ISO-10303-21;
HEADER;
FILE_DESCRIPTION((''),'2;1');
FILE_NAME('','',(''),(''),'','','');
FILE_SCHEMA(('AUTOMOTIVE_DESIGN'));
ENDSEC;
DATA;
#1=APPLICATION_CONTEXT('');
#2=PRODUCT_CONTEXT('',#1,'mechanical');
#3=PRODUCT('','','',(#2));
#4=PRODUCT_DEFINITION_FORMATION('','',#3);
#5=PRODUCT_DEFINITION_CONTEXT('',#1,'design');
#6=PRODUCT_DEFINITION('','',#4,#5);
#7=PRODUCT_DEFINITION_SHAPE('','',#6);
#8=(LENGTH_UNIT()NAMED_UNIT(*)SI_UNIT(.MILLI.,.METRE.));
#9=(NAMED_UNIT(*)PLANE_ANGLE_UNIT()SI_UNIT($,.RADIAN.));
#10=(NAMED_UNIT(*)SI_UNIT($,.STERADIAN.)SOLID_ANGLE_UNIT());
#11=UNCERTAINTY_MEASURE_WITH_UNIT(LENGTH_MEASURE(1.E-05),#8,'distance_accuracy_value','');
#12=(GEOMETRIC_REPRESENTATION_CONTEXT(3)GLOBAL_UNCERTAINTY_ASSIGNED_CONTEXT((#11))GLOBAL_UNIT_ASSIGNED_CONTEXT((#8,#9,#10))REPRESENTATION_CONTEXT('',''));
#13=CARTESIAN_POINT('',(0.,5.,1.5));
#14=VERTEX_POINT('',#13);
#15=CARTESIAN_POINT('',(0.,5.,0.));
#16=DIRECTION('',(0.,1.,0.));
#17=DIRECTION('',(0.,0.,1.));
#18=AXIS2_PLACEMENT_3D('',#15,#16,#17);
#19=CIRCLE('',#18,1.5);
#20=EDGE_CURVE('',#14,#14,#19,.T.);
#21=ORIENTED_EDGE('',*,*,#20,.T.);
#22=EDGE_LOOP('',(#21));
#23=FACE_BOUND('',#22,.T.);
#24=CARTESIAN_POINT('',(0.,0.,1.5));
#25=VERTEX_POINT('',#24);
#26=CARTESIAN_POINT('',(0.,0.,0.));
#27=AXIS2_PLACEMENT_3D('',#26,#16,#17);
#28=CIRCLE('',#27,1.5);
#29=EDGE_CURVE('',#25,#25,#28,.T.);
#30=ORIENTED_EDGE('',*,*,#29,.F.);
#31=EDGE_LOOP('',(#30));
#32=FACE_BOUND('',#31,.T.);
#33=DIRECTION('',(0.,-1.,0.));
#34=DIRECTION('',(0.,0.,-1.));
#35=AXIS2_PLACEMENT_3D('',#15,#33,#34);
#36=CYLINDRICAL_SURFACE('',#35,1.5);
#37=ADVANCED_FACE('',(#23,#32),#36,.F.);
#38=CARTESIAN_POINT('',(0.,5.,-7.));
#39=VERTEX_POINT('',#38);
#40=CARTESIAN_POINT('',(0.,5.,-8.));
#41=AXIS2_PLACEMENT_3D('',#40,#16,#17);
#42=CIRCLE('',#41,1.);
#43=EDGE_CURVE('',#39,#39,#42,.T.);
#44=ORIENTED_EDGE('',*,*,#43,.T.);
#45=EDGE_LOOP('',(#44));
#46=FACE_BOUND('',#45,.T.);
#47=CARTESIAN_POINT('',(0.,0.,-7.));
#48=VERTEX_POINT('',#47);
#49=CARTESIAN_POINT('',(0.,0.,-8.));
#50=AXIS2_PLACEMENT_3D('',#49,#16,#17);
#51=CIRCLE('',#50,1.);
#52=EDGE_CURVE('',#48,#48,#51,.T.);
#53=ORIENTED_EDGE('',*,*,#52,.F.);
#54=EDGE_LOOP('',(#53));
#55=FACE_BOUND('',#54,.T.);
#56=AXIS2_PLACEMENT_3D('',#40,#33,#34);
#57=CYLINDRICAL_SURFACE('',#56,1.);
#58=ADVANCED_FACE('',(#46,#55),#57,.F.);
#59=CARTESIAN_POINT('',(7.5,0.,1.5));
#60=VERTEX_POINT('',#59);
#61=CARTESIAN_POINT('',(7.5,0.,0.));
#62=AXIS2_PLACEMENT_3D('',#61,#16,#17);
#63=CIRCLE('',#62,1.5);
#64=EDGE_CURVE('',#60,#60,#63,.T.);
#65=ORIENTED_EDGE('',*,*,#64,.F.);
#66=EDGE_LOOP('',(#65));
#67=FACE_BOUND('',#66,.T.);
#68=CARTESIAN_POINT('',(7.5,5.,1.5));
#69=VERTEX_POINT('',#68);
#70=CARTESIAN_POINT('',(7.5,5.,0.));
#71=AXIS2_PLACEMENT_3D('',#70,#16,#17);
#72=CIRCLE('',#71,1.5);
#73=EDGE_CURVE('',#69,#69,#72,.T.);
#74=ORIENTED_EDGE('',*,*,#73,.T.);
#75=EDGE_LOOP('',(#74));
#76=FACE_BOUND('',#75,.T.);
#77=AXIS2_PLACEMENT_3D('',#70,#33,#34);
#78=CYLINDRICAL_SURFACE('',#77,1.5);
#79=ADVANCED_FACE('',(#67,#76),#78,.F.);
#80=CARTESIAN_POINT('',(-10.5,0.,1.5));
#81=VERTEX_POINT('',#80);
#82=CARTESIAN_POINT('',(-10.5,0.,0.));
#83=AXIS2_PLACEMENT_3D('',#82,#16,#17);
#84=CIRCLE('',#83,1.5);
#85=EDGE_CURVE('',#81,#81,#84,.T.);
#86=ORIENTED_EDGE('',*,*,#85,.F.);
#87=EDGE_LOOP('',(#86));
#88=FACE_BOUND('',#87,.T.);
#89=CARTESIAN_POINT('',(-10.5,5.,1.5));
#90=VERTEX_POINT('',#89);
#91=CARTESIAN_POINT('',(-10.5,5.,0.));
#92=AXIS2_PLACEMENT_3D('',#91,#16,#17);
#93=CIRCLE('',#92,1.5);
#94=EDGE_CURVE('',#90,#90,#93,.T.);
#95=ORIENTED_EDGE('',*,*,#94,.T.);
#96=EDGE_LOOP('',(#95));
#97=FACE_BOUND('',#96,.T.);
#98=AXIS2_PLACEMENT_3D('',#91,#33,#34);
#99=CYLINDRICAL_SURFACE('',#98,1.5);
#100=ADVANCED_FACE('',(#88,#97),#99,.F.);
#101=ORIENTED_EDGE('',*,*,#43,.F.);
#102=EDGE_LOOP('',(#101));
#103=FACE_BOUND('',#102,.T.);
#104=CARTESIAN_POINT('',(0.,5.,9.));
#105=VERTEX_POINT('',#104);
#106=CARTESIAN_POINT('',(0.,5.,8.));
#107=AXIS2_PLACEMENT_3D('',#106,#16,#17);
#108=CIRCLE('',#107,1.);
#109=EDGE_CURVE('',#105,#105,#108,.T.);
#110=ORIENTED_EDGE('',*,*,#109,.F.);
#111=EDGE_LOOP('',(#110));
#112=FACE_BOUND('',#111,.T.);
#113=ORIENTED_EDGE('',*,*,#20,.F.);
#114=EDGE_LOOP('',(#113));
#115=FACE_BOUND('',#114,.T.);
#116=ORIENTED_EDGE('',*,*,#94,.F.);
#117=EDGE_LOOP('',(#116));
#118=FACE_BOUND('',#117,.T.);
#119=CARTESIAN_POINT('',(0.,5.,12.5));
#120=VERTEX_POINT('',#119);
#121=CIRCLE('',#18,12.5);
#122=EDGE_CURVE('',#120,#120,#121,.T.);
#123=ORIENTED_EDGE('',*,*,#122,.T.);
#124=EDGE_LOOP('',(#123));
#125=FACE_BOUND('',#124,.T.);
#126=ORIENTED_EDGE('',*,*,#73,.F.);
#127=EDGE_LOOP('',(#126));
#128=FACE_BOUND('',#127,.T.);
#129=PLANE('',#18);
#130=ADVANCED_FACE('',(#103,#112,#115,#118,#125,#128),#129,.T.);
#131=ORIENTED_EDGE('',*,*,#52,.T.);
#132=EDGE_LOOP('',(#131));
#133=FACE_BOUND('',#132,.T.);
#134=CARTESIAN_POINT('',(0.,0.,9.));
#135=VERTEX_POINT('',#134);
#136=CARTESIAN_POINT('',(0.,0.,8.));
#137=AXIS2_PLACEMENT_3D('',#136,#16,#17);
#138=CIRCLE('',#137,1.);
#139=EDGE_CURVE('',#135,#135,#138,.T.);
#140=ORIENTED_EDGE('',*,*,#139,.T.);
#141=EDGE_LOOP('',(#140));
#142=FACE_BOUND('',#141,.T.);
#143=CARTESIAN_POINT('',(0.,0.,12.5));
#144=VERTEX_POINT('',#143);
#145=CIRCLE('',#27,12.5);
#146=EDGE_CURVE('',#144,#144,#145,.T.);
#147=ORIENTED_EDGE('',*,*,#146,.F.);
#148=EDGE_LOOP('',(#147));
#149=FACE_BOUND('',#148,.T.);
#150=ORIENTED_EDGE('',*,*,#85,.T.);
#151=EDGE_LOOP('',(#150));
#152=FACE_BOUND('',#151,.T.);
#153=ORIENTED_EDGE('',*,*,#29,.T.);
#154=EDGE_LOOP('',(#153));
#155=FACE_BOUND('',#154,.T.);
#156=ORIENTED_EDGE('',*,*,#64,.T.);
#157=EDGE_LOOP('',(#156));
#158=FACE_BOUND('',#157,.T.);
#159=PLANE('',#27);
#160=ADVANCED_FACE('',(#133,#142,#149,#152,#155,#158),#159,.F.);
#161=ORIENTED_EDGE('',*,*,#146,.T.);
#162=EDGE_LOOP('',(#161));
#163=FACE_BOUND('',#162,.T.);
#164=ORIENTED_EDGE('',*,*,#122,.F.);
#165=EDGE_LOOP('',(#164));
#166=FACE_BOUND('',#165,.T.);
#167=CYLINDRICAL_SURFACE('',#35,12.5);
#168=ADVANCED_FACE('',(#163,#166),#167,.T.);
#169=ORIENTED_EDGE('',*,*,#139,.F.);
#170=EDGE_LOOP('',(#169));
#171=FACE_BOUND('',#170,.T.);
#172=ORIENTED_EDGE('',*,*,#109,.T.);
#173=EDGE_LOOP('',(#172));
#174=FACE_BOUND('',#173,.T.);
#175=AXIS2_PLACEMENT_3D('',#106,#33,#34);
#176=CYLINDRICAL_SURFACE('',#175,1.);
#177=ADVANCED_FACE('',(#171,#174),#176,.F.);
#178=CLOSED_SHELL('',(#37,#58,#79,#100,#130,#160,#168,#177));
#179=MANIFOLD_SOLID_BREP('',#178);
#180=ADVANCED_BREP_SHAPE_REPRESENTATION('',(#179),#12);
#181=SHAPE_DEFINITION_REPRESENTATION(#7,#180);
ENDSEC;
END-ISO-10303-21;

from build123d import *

# Parameters (mm, degrees)
SKETCH1_R           = 12.5
SKETCH1_R_2         = 1
SKETCH1_R_3         = 1.5
BOSS_EXTRUDE1_DEPTH = 5


with BuildPart() as part:
    # Sketch1 → Boss-Extrude1 (new body)
    with BuildSketch(Plane(origin=(0, 0, 0), x_dir=(1, 0, 0), z_dir=(0, 1, 0))):
        with Locations(Location((0, 0, 0), (0, 0, 270))):
            Circle(SKETCH1_R)
        with Locations(Location((0, -8, 0), (0, 0, 270))):
            Circle(SKETCH1_R_2, mode=Mode.SUBTRACT)
        with Locations(Location((0, 8, 0), (0, 0, 270))):
            Circle(SKETCH1_R_2, mode=Mode.SUBTRACT)
        with Locations(Location((0, 0, 0), (0, 0, 270))):
            Circle(SKETCH1_R_3, mode=Mode.SUBTRACT)
        with Locations(Location((-10.5, 0, 0), (0, 0, 270))):
            Circle(SKETCH1_R_3, mode=Mode.SUBTRACT)
        with Locations(Location((7.5, 0, 0), (0, 0, 270))):
            Circle(SKETCH1_R_3, mode=Mode.SUBTRACT)
    extrude(amount=BOSS_EXTRUDE1_DEPTH)


solid = part.part
